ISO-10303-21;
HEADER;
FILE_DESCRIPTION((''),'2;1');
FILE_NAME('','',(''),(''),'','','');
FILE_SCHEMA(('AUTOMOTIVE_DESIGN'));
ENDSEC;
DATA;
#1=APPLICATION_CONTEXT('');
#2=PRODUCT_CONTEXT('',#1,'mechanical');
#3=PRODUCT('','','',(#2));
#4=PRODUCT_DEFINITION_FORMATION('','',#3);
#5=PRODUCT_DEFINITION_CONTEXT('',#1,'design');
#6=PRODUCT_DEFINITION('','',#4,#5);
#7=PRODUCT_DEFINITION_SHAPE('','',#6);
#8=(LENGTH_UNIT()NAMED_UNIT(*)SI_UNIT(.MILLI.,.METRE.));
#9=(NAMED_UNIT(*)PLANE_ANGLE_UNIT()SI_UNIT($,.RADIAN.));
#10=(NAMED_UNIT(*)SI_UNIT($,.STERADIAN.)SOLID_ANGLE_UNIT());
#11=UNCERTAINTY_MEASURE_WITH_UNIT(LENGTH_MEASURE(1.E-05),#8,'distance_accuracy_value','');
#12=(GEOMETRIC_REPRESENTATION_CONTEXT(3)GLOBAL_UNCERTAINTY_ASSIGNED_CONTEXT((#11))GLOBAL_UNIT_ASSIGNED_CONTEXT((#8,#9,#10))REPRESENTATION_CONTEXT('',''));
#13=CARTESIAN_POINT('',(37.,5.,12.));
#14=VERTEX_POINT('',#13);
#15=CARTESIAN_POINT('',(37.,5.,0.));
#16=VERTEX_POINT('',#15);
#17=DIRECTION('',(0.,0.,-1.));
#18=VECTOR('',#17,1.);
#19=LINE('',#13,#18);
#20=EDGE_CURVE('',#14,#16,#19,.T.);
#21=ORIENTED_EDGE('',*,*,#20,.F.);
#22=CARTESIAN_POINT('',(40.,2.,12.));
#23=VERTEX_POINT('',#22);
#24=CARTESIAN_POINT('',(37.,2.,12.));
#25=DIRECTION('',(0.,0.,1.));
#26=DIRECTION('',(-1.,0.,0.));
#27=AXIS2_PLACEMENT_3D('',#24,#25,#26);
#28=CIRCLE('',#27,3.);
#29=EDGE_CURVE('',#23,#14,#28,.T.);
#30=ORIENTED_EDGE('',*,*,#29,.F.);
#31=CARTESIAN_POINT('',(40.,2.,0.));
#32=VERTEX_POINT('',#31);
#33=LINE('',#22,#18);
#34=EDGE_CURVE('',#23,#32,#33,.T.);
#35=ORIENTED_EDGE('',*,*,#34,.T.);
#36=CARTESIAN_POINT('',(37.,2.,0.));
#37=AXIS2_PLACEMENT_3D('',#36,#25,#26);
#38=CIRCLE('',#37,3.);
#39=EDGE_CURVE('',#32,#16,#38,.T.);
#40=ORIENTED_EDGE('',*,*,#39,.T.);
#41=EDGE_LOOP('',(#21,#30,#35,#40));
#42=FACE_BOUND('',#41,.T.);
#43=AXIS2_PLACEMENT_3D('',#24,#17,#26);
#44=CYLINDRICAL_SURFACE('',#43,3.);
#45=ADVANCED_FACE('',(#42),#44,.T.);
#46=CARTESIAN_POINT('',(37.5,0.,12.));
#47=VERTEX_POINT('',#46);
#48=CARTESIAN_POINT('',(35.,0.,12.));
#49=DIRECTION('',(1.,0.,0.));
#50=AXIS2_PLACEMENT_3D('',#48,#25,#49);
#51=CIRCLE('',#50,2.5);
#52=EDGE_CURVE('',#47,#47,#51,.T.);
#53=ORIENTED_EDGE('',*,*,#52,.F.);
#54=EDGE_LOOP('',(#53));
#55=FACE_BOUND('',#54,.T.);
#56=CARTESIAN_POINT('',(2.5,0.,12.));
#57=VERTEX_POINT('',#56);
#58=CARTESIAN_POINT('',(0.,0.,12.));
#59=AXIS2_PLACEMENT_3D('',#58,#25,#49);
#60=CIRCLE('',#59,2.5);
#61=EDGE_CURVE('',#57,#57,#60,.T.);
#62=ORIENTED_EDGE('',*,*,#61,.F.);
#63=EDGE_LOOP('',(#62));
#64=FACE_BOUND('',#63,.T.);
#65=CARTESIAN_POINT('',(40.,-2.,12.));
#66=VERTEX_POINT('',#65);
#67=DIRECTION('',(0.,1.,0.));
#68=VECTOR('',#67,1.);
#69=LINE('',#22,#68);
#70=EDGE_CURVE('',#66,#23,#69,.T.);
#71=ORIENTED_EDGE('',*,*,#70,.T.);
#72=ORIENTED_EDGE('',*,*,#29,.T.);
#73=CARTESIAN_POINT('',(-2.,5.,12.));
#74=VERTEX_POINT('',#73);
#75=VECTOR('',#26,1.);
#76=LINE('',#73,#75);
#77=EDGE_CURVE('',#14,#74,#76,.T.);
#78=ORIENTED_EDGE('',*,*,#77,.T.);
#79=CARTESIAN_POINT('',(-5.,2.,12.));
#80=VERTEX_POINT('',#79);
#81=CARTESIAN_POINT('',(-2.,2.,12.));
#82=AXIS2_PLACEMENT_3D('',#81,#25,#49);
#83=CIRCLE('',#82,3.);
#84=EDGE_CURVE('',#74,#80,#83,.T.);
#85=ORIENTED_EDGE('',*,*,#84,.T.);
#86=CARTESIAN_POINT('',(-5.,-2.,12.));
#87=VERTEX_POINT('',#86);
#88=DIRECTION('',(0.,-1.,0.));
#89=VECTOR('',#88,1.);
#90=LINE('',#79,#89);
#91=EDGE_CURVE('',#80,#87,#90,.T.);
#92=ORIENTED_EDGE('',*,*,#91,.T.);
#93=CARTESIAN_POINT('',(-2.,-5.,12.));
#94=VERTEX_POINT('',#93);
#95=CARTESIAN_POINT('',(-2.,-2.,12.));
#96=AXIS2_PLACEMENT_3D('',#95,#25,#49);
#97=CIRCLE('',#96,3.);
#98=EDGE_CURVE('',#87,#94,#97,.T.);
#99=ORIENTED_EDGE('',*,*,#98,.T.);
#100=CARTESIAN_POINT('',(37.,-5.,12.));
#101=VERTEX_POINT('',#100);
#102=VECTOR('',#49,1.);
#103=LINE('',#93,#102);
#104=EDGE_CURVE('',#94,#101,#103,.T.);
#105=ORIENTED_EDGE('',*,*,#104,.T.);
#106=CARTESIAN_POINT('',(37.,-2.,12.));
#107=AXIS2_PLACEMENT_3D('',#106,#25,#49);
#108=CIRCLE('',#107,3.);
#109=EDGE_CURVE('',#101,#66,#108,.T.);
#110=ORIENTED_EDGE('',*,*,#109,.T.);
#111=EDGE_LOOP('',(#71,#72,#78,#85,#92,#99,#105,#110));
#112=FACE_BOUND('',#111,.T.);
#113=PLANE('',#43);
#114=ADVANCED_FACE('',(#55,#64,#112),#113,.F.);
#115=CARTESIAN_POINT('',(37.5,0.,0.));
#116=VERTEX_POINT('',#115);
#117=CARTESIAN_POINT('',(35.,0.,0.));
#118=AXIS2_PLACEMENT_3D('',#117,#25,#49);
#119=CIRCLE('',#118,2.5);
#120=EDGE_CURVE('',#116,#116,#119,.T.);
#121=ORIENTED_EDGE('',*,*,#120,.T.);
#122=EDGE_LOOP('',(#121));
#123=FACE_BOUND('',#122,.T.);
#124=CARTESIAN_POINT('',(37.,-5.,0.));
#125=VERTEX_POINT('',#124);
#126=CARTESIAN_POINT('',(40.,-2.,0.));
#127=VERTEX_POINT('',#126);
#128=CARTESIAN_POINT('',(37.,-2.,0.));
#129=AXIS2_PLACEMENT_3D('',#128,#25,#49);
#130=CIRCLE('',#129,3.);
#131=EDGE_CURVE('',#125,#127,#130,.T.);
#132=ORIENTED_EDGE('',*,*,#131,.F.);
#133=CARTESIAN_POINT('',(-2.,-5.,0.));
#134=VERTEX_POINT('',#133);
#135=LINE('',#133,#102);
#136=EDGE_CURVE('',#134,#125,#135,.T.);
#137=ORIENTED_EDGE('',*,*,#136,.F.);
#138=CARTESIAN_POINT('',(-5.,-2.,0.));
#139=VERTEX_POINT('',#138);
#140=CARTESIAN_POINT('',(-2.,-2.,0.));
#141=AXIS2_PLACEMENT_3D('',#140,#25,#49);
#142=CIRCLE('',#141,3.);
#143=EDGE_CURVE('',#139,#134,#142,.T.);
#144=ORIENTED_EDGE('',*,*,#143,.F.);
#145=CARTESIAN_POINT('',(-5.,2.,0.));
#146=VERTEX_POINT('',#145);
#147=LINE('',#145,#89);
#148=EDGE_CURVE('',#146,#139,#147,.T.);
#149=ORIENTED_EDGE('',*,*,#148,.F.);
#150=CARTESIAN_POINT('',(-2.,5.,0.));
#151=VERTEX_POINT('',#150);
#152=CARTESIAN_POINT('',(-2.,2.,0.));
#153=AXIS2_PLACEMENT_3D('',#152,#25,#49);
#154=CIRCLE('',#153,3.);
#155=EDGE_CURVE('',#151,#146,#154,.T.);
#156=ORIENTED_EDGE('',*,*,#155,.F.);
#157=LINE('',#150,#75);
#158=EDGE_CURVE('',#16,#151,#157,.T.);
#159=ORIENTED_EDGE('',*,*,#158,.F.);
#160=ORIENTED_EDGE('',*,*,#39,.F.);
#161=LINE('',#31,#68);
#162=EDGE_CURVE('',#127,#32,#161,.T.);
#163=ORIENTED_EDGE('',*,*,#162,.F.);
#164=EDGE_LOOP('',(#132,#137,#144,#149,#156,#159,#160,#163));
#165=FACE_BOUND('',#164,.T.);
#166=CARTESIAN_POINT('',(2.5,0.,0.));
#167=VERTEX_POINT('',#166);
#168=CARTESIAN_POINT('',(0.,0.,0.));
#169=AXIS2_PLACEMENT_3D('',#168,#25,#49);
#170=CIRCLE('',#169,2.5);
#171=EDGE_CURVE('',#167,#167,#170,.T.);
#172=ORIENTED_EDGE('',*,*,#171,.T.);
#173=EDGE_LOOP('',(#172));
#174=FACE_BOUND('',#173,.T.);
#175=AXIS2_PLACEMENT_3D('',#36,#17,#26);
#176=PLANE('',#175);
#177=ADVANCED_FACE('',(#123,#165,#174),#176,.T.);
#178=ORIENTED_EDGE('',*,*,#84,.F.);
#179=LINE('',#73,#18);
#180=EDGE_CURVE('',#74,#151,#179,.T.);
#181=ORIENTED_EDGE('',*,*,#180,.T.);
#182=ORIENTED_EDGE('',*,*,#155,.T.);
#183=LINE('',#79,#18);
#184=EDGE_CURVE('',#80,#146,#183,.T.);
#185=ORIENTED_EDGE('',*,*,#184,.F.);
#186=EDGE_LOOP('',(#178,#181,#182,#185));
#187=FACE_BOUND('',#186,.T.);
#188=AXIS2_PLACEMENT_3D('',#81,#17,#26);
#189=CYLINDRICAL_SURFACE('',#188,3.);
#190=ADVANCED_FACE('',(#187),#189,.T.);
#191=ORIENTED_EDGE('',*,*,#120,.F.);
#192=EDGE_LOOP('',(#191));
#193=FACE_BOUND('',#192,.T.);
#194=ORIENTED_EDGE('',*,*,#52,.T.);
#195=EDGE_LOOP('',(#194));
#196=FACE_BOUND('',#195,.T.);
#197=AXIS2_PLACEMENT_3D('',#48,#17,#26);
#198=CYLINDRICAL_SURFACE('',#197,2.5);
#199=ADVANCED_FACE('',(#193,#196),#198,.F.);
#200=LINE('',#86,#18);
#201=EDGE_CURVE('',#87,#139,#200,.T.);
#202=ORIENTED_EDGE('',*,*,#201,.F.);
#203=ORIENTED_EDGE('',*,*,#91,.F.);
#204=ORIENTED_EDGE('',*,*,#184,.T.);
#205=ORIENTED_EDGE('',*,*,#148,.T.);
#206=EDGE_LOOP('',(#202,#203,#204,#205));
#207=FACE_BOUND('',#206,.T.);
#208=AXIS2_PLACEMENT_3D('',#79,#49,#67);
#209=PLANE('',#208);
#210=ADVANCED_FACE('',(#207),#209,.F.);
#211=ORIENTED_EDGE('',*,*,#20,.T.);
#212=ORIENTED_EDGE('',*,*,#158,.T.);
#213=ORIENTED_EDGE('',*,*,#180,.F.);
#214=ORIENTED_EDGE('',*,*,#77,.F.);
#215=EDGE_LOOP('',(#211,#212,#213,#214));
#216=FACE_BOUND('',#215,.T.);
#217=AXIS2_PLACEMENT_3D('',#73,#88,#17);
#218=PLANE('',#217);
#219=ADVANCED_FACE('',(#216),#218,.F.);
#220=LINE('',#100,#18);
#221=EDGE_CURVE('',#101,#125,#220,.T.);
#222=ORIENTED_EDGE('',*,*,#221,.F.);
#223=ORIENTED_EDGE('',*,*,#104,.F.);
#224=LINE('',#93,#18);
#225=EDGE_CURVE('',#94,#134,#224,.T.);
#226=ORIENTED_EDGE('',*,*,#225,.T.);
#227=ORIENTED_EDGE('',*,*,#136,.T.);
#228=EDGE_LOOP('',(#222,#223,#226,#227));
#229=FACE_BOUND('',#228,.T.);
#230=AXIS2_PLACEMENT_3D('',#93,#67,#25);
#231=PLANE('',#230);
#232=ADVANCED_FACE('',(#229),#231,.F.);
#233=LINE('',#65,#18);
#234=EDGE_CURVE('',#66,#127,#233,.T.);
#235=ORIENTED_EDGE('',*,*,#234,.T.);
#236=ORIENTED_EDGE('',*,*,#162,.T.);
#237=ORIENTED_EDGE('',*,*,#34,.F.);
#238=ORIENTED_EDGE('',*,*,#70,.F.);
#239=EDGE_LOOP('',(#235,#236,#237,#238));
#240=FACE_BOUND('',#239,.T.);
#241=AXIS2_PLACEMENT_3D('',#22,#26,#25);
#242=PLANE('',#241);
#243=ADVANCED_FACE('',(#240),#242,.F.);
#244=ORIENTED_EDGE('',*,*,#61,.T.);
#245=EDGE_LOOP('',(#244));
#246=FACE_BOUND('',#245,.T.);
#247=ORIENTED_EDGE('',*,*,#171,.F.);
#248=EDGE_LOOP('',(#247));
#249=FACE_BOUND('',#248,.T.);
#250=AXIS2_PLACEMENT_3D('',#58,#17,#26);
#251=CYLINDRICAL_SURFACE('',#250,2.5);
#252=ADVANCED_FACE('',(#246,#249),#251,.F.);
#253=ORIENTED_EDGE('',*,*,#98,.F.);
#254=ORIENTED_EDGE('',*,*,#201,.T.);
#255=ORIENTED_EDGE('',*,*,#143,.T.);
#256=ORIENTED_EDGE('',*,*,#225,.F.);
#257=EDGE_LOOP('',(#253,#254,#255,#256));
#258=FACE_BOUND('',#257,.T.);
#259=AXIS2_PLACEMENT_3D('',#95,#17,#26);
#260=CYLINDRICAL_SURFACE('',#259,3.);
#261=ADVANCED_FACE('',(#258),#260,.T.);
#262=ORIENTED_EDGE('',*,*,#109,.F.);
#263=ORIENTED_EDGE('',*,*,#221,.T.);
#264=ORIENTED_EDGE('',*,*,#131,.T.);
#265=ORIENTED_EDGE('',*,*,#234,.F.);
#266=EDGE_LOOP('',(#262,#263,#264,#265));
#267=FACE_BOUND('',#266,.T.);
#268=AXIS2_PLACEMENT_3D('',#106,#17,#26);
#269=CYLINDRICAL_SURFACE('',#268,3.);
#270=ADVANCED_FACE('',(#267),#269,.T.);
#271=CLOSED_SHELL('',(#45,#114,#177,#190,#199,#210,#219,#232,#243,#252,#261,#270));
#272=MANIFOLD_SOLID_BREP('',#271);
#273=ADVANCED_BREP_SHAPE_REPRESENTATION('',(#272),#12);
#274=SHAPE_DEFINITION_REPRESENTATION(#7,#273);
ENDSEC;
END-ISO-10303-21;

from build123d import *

# Parameters (mm, degrees)
SKETCH1_R           = 2.5
BOSS_EXTRUDE1_DEPTH = 12


with BuildPart() as part:
    # Sketch1 → Boss-Extrude1 (new body)
    with BuildSketch(Plane.XY):
        with BuildLine():
            Line((-2, 5), (37, 5))
            ThreePointArc((37, 5), (39.121320344, 4.121320344), (40, 2))
            Line((40, 2), (40, -2))
            ThreePointArc((40, -2), (39.121320344, -4.121320344), (37, -5))
            Line((37, -5), (-2, -5))
            ThreePointArc((-2, -5), (-4.121320344, -4.121320344), (-5, -2))
            Line((-5, -2), (-5, 2))
            ThreePointArc((-5, 2), (-4.121320344, 4.121320344), (-2, 5))
        make_face()
        Circle(SKETCH1_R, mode=Mode.SUBTRACT)
        with Locations((35, 0)):
            Circle(SKETCH1_R, mode=Mode.SUBTRACT)
    extrude(amount=BOSS_EXTRUDE1_DEPTH)


solid = part.part
